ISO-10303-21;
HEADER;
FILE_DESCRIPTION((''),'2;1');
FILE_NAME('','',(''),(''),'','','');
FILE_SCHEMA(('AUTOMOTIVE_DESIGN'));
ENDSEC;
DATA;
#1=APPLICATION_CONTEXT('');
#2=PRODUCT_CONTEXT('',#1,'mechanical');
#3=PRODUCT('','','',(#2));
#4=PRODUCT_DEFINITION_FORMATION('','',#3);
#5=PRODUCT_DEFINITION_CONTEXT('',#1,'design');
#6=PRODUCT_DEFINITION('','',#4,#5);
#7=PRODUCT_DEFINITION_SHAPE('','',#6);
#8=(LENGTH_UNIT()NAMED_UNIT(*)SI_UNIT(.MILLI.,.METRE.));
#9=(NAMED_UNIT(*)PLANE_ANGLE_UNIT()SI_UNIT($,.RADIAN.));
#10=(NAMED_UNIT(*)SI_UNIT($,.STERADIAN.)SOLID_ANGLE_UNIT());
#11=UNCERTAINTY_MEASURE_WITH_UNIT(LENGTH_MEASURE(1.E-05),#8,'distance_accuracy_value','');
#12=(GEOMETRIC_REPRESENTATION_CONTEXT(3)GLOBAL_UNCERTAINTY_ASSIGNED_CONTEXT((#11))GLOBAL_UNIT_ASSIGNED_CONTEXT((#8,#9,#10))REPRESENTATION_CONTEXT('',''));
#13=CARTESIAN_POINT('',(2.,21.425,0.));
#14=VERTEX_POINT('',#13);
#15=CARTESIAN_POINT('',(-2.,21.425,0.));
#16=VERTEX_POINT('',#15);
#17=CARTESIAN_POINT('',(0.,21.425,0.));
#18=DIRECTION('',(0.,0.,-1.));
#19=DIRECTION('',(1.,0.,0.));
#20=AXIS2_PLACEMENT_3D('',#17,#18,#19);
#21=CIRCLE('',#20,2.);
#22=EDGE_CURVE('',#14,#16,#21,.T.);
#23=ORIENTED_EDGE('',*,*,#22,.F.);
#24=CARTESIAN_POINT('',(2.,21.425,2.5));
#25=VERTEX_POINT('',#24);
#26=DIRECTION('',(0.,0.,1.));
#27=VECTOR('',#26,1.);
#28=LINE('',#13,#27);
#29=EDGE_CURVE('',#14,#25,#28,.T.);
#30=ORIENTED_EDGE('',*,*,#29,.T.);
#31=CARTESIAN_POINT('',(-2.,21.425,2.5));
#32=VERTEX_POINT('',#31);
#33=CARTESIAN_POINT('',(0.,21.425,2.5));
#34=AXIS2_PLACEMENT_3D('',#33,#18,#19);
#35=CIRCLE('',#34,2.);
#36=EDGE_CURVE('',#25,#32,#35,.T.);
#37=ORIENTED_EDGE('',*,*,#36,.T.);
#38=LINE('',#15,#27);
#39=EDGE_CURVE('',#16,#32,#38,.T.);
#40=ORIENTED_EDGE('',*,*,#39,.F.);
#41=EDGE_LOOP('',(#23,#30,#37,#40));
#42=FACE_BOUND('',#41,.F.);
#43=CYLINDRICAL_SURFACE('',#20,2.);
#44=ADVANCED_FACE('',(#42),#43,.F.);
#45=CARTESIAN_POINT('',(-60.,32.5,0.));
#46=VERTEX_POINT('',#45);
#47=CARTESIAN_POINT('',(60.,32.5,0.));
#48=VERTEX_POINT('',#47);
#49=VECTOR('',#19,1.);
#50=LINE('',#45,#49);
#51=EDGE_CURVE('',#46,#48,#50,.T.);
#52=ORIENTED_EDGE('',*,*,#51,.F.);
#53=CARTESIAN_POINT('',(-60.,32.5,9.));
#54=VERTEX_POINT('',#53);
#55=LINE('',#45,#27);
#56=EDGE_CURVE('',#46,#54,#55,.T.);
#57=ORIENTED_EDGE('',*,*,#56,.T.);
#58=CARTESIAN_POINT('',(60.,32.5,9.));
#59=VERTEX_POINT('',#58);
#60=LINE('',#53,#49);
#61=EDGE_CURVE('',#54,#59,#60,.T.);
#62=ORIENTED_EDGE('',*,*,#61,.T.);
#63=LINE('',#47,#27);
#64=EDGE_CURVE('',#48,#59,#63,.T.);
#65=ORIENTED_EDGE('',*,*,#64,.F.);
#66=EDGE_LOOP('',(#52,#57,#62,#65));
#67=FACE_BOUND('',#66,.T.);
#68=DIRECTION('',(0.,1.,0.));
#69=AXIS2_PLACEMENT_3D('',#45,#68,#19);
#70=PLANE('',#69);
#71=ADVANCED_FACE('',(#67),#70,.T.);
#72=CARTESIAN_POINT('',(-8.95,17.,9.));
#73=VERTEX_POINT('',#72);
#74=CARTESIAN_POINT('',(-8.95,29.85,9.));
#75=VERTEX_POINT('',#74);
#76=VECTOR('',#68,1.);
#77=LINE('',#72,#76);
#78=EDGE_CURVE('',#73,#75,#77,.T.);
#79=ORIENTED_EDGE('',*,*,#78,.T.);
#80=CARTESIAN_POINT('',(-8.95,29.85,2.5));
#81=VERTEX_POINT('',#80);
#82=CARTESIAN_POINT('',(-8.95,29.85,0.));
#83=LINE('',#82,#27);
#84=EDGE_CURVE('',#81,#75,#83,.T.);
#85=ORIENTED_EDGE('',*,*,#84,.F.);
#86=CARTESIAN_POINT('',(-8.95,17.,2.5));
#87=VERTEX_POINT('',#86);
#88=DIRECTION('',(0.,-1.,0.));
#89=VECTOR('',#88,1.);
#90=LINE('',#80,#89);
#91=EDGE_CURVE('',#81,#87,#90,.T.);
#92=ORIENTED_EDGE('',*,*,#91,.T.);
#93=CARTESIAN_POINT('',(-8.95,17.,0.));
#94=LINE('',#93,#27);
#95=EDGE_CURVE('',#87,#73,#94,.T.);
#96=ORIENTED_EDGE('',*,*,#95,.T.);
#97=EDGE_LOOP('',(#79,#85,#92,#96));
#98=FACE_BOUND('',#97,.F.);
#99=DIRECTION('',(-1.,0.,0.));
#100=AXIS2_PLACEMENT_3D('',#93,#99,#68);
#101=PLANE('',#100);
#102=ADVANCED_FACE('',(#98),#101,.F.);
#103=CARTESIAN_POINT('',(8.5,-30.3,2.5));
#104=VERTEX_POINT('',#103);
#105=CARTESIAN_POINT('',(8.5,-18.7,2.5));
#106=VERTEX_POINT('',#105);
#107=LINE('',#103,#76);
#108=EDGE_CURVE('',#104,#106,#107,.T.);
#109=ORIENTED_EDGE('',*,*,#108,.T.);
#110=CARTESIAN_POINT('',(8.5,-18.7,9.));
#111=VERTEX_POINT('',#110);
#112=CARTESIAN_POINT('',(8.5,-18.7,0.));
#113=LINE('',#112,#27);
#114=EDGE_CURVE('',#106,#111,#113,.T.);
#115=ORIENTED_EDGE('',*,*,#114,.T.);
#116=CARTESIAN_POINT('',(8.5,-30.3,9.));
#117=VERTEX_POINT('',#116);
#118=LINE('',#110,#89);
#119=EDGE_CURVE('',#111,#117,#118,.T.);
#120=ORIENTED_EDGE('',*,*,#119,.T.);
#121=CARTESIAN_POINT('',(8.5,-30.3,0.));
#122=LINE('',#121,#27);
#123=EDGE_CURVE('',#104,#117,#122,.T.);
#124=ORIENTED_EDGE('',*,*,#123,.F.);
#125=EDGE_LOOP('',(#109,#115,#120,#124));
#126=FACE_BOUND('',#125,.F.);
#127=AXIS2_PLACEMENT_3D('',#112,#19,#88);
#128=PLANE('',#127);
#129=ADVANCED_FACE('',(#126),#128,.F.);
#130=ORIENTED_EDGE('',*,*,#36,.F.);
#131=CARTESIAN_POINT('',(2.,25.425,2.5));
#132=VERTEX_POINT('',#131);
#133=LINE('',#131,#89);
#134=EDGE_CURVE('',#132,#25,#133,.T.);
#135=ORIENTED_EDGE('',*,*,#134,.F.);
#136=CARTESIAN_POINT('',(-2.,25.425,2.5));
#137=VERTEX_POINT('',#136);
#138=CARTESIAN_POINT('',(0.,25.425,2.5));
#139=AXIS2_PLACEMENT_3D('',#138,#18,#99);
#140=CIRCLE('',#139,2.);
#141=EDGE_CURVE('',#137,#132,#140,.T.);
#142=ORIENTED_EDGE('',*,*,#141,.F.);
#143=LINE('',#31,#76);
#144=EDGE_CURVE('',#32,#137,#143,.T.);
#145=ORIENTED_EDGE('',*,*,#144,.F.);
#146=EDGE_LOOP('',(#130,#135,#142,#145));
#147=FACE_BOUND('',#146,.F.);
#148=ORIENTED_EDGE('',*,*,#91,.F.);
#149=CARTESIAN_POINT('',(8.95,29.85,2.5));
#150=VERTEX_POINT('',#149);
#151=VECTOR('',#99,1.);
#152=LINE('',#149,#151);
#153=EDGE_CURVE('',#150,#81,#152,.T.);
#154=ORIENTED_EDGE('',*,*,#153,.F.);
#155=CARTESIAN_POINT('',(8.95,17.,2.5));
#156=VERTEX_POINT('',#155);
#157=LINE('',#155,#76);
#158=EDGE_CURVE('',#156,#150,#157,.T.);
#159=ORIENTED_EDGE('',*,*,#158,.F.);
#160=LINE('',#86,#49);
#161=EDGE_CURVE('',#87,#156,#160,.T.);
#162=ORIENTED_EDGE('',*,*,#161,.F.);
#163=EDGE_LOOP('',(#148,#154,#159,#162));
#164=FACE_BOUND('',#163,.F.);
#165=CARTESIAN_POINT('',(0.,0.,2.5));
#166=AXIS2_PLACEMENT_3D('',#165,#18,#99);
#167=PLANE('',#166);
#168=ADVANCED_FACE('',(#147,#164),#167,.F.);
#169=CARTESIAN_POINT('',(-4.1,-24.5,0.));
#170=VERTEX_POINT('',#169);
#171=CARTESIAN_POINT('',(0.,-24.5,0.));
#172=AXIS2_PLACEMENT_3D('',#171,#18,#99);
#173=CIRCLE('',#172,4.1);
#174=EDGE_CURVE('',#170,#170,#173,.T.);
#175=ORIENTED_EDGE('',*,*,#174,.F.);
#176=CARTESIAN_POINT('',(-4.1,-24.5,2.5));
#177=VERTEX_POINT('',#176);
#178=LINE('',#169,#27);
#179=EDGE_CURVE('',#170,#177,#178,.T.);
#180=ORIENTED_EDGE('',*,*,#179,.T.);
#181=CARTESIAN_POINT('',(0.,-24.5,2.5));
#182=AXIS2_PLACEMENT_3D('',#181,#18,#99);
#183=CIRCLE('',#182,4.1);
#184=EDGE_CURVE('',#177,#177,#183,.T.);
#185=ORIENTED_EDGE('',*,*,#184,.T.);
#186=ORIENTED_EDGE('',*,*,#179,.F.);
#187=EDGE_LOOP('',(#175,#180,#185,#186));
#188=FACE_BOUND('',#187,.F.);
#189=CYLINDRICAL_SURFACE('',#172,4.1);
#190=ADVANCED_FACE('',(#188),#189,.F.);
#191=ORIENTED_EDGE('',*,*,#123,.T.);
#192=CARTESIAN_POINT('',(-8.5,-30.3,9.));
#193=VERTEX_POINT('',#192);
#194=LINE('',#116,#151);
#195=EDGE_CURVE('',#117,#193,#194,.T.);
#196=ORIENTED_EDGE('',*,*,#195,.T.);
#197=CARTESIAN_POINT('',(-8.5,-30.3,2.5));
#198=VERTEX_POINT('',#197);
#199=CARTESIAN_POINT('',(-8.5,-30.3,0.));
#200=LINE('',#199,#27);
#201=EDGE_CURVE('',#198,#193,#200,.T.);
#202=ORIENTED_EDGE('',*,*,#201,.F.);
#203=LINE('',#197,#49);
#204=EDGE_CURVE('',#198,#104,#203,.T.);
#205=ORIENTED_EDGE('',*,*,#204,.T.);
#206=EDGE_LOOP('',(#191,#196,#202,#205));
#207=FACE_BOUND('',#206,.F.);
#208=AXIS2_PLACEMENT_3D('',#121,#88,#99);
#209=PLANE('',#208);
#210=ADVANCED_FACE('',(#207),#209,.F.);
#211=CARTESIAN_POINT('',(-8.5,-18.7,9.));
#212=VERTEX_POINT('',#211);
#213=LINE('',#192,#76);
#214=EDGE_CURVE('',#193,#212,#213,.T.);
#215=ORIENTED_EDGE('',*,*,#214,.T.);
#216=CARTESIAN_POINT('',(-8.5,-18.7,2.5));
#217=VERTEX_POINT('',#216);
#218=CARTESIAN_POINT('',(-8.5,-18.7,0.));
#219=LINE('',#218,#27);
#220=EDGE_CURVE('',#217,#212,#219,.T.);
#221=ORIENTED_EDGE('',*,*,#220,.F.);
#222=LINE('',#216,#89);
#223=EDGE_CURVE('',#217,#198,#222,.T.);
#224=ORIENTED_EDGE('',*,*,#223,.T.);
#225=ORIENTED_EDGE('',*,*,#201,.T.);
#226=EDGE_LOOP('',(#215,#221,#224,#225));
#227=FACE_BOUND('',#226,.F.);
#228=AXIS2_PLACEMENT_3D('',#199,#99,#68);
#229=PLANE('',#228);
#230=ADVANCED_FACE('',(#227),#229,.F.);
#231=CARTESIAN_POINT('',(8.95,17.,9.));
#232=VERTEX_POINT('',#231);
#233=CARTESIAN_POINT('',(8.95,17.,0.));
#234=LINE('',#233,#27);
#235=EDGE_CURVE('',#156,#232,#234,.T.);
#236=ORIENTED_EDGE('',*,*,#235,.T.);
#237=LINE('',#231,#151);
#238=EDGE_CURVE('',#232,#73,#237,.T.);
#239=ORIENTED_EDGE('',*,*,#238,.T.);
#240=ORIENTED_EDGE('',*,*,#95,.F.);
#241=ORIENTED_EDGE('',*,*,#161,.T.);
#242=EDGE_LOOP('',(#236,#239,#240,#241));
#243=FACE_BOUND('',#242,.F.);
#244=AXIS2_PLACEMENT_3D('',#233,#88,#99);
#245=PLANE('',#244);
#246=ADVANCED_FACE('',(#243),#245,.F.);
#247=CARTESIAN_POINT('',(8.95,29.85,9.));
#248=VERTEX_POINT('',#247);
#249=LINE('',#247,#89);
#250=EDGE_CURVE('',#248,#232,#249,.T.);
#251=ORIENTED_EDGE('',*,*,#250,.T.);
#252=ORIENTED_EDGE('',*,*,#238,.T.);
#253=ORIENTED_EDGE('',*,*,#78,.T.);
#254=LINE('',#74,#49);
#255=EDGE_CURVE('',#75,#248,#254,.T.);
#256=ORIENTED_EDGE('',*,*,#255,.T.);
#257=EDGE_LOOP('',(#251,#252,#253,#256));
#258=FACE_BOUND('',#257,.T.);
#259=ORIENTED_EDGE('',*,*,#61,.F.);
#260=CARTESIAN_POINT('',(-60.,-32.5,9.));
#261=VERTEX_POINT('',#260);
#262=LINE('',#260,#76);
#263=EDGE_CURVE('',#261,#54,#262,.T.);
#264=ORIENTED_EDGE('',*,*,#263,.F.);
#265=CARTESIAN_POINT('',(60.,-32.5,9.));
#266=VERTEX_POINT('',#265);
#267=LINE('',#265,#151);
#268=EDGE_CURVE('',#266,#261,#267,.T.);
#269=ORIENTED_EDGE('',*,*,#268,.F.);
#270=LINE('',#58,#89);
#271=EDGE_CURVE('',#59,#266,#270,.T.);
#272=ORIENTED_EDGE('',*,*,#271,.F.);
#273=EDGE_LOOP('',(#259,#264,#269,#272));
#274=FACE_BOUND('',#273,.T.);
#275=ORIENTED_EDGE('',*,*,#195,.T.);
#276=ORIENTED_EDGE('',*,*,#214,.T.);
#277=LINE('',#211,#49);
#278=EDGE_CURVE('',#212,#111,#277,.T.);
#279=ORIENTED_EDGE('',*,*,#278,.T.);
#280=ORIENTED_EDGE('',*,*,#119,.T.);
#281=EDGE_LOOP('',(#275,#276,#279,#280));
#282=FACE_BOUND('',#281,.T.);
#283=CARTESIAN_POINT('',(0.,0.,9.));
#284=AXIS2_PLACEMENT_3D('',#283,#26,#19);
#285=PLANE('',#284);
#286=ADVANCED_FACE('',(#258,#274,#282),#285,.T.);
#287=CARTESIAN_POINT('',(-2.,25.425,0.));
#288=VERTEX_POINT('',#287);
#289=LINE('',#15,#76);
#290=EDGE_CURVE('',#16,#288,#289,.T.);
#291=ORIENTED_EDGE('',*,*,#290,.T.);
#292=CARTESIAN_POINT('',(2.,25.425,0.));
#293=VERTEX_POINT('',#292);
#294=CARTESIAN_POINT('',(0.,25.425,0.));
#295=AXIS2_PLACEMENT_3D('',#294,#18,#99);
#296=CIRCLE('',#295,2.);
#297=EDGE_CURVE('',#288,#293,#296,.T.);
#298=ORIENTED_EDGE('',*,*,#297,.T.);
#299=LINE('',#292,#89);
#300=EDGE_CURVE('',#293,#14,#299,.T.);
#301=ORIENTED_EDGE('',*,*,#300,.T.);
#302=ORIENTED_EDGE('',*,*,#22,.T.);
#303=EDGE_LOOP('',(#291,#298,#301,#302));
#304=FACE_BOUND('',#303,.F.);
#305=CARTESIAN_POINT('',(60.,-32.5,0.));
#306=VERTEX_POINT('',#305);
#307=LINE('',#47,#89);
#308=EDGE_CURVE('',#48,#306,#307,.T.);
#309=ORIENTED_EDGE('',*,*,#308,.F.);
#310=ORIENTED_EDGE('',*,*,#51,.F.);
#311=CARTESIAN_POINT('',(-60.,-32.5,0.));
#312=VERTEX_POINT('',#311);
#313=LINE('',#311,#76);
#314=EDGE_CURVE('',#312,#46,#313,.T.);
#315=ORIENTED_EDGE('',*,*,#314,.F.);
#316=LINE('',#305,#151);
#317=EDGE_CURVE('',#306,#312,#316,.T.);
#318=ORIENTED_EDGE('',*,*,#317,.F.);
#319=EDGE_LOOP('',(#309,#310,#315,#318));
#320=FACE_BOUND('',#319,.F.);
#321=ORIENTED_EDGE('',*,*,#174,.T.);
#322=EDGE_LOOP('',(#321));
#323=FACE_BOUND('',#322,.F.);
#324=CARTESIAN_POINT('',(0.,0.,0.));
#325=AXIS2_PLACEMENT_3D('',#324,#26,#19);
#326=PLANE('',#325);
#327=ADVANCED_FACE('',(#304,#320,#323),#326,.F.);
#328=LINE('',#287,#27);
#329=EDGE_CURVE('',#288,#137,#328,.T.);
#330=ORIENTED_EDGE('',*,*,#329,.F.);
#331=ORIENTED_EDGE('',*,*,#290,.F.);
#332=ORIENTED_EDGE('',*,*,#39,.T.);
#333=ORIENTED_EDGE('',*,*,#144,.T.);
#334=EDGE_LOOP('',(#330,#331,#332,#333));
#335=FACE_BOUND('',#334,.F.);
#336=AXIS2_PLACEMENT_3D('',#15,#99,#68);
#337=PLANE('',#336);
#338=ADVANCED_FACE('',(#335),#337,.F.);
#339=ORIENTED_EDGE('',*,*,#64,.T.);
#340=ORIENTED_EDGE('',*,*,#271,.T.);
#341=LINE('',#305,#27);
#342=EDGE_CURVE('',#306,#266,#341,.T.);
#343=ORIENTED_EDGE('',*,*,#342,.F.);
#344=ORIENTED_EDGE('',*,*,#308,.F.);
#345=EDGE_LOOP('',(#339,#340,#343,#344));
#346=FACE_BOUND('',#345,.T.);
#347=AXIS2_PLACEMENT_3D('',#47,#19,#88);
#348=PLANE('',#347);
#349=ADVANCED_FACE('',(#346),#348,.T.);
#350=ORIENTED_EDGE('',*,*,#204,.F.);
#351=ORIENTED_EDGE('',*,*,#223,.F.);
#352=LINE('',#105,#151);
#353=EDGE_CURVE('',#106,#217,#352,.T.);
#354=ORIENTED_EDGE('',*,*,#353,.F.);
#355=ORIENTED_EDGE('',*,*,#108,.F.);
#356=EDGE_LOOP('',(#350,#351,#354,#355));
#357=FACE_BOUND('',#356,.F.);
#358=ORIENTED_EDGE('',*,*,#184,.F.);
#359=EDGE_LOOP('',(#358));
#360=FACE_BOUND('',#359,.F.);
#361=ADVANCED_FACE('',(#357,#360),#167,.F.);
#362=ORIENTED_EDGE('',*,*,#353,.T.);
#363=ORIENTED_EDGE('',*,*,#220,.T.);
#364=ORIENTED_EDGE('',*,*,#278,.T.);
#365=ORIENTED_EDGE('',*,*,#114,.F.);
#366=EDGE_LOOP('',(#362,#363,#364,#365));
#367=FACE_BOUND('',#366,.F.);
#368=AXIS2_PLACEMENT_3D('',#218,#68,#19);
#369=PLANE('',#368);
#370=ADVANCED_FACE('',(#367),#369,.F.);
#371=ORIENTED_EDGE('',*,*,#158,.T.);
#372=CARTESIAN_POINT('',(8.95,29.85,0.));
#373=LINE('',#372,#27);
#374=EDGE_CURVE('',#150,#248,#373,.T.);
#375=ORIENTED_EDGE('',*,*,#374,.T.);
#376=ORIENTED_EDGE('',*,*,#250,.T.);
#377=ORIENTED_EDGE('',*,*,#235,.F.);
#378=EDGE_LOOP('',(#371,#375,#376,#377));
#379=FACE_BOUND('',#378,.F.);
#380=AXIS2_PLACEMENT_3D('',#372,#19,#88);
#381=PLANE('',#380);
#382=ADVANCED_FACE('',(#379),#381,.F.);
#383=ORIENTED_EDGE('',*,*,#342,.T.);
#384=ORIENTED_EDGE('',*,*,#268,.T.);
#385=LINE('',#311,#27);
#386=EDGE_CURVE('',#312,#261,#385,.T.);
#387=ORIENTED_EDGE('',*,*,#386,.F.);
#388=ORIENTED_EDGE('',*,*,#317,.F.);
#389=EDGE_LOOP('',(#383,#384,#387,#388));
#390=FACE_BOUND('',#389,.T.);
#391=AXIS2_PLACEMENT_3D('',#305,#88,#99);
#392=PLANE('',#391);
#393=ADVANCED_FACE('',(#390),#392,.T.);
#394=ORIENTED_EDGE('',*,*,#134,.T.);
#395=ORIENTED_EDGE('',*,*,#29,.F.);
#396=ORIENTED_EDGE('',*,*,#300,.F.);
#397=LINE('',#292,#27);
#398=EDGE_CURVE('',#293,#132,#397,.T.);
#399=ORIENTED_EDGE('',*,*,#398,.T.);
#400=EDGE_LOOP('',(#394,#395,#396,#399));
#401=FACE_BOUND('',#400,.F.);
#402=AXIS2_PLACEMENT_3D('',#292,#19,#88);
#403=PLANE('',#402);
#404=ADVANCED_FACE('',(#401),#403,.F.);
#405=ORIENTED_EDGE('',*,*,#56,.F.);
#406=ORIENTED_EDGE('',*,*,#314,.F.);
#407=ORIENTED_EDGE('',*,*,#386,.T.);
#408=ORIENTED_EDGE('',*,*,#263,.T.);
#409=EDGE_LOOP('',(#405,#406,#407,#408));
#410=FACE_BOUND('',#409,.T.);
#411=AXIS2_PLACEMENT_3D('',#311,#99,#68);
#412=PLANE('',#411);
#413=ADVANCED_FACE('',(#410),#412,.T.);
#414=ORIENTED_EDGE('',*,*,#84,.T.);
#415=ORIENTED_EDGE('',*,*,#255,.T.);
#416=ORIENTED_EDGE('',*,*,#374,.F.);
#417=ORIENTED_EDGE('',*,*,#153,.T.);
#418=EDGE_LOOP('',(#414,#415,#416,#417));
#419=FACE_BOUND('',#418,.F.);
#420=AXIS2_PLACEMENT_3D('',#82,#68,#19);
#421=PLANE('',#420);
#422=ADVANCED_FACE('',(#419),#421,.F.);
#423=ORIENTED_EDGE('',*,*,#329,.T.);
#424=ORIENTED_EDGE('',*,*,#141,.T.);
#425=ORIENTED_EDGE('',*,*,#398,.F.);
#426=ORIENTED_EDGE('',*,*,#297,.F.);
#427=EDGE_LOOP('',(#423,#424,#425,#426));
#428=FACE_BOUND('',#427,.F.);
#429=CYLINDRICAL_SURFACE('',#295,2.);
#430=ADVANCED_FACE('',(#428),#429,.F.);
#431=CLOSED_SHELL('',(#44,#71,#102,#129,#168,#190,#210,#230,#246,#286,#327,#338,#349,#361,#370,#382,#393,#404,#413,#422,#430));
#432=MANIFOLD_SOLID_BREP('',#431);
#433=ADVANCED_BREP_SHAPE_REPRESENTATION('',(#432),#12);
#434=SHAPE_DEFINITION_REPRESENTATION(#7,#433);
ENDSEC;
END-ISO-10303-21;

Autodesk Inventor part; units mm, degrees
ref_plane "YZ Plane" through (0, 0, 0) normal (1, 0, 0) x (0, 1, 0)
ref_plane "XZ Plane" through (0, 0, 0) normal (0, 1, 0) x (-1, 0, 0)
ref_plane "XY Plane" through (0, 0, 0) normal (0, 0, 1) x (1, 0, 0)
sketch "Schizzo1" plane through (0, 0, 0) normal (0, 0, 1) x (1, 0, 0)
  line L0 (-60, 32.5) -> (60, 32.5)
  line L1 (60, 32.5) -> (60, -32.5)
  line L2 (60, -32.5) -> (-60, -32.5)
  line L3 (-60, -32.5) -> (-60, 32.5)
  line L4 (-60, 32.5) -> (60, -32.5) construction
  line L5 (60, 32.5) -> (-60, -32.5) construction
  line L6 (-8.5, -18.7) -> (8.5, -18.7)
  line L7 (8.5, -18.7) -> (8.5, -30.3)
  line L8 (8.5, -30.3) -> (-8.5, -30.3)
  line L9 (-8.5, -30.3) -> (-8.5, -18.7)
  line L10 (-8.5, -18.7) -> (8.5, -30.3) construction
  line L11 (8.5, -18.7) -> (-8.5, -30.3) construction
  line L12 (-12, 12) -> (12, -12) construction
  line L13 (12, 12) -> (-12, -12) construction
  line L14 (-8.95, 29.85) -> (8.95, 29.85)
  line L15 (8.95, 29.85) -> (8.95, 17)
  line L16 (8.95, 17) -> (-8.95, 17)
  line L17 (-8.95, 17) -> (-8.95, 29.85)
  line L18 (-8.95, 29.85) -> (8.95, 17) construction
  line L19 (8.95, 29.85) -> (-8.95, 17) construction
  circle A0 centre (0, -24.5) radius 4.1
  line L20 (0, 25.425) -> (0, 21.425) construction
  line L21 (-2, 25.425) -> (-2, 21.425)
  line L22 (2, 21.425) -> (2, 25.425)
  arc A1 (2, 25.425) -> (-2, 25.425) centre (0, 25.425) ccw
  arc A2 (-2, 21.425) -> (2, 21.425) centre (0, 21.425) ccw
  point P0 (0, 0)
  point P1 (0, 0)
  point P2 (0, 23.425)
  dimension "d0" = 120
  dimension "d1" = 65
  dimension "d2" = 17
  dimension "d3" = 11.6
  dimension "d4" = 24
  dimension "d5" = 24
  dimension "d6" = 17.9
  dimension "d7" = 12.85
  dimension "d8" = 8.2
  dimension "d9" = 2
  dimension "d10" = 4
extrude "Estrusione1" add sketch "Schizzo1" along normal blind 9 contours L0 L1 L2 L3
sketch "Schizzo2" plane through (0, 0, 0) normal (0, 0, -1) x (-1, 0, 0)
  line L0 (-60, 32.5) -> (60, 32.5)
  line L1 (60, 32.5) -> (60, -32.5)
  line L2 (60, -32.5) -> (-60, -32.5)
  line L3 (-60, -32.5) -> (-60, 32.5)
  line L4 (-60, 32.5) -> (60, -32.5) construction
  line L5 (60, 32.5) -> (-60, -32.5) construction
  line L6 (-8.95, 17) -> (-8.95, 29.85)
  line L7 (-12, 12) -> (12, -12) construction
  line L8 (12, 12) -> (-12, -12) construction
  line L9 (8.95, 17) -> (-8.95, 17)
  line L10 (-8.95, 29.85) -> (8.95, 29.85)
  line L11 (8.95, 29.85) -> (-8.95, 17) construction
  line L12 (8.95, 29.85) -> (8.95, 17)
  line L13 (-8.95, 29.85) -> (8.95, 17) construction
  line L14 (-8.5, -18.7) -> (8.5, -18.7)
  line L15 (8.5, -18.7) -> (8.5, -30.3)
  line L16 (8.5, -30.3) -> (-8.5, -30.3)
  line L17 (-8.5, -30.3) -> (-8.5, -18.7)
  line L18 (-8.5, -18.7) -> (8.5, -30.3) construction
  line L19 (8.5, -18.7) -> (-8.5, -30.3) construction
  circle A0 centre (0, -24.5) radius 4.1
  line L20 (0, 25.425) -> (0, 21.425) construction
  line L21 (-2, 25.425) -> (-2, 21.425)
  line L22 (2, 21.425) -> (2, 25.425)
  arc A1 (2, 25.425) -> (-2, 25.425) centre (0, 25.425) ccw
  arc A2 (-2, 21.425) -> (2, 21.425) centre (0, 21.425) ccw
  point P0 (0, 0)
  point P1 (0, 0)
  point P2 (0, 0)
  point P3 (0, 23.425)
  dimension "d13" = 120
  dimension "d14" = 65
  dimension "d15" = 17
  dimension "d16" = 11.6
  dimension "d17" = 24
  dimension "d18" = 24
  dimension "d19" = 17.9
  dimension "d20" = 12.85
  dimension "d21" = 8.2
  dimension "d22" = 2
  dimension "d23" = 4
extrude "Estrusione2" add sketch "Schizzo2" against normal blind 2.5 contours L6 L10 L12 L9 | L14 L15 L16 L17
